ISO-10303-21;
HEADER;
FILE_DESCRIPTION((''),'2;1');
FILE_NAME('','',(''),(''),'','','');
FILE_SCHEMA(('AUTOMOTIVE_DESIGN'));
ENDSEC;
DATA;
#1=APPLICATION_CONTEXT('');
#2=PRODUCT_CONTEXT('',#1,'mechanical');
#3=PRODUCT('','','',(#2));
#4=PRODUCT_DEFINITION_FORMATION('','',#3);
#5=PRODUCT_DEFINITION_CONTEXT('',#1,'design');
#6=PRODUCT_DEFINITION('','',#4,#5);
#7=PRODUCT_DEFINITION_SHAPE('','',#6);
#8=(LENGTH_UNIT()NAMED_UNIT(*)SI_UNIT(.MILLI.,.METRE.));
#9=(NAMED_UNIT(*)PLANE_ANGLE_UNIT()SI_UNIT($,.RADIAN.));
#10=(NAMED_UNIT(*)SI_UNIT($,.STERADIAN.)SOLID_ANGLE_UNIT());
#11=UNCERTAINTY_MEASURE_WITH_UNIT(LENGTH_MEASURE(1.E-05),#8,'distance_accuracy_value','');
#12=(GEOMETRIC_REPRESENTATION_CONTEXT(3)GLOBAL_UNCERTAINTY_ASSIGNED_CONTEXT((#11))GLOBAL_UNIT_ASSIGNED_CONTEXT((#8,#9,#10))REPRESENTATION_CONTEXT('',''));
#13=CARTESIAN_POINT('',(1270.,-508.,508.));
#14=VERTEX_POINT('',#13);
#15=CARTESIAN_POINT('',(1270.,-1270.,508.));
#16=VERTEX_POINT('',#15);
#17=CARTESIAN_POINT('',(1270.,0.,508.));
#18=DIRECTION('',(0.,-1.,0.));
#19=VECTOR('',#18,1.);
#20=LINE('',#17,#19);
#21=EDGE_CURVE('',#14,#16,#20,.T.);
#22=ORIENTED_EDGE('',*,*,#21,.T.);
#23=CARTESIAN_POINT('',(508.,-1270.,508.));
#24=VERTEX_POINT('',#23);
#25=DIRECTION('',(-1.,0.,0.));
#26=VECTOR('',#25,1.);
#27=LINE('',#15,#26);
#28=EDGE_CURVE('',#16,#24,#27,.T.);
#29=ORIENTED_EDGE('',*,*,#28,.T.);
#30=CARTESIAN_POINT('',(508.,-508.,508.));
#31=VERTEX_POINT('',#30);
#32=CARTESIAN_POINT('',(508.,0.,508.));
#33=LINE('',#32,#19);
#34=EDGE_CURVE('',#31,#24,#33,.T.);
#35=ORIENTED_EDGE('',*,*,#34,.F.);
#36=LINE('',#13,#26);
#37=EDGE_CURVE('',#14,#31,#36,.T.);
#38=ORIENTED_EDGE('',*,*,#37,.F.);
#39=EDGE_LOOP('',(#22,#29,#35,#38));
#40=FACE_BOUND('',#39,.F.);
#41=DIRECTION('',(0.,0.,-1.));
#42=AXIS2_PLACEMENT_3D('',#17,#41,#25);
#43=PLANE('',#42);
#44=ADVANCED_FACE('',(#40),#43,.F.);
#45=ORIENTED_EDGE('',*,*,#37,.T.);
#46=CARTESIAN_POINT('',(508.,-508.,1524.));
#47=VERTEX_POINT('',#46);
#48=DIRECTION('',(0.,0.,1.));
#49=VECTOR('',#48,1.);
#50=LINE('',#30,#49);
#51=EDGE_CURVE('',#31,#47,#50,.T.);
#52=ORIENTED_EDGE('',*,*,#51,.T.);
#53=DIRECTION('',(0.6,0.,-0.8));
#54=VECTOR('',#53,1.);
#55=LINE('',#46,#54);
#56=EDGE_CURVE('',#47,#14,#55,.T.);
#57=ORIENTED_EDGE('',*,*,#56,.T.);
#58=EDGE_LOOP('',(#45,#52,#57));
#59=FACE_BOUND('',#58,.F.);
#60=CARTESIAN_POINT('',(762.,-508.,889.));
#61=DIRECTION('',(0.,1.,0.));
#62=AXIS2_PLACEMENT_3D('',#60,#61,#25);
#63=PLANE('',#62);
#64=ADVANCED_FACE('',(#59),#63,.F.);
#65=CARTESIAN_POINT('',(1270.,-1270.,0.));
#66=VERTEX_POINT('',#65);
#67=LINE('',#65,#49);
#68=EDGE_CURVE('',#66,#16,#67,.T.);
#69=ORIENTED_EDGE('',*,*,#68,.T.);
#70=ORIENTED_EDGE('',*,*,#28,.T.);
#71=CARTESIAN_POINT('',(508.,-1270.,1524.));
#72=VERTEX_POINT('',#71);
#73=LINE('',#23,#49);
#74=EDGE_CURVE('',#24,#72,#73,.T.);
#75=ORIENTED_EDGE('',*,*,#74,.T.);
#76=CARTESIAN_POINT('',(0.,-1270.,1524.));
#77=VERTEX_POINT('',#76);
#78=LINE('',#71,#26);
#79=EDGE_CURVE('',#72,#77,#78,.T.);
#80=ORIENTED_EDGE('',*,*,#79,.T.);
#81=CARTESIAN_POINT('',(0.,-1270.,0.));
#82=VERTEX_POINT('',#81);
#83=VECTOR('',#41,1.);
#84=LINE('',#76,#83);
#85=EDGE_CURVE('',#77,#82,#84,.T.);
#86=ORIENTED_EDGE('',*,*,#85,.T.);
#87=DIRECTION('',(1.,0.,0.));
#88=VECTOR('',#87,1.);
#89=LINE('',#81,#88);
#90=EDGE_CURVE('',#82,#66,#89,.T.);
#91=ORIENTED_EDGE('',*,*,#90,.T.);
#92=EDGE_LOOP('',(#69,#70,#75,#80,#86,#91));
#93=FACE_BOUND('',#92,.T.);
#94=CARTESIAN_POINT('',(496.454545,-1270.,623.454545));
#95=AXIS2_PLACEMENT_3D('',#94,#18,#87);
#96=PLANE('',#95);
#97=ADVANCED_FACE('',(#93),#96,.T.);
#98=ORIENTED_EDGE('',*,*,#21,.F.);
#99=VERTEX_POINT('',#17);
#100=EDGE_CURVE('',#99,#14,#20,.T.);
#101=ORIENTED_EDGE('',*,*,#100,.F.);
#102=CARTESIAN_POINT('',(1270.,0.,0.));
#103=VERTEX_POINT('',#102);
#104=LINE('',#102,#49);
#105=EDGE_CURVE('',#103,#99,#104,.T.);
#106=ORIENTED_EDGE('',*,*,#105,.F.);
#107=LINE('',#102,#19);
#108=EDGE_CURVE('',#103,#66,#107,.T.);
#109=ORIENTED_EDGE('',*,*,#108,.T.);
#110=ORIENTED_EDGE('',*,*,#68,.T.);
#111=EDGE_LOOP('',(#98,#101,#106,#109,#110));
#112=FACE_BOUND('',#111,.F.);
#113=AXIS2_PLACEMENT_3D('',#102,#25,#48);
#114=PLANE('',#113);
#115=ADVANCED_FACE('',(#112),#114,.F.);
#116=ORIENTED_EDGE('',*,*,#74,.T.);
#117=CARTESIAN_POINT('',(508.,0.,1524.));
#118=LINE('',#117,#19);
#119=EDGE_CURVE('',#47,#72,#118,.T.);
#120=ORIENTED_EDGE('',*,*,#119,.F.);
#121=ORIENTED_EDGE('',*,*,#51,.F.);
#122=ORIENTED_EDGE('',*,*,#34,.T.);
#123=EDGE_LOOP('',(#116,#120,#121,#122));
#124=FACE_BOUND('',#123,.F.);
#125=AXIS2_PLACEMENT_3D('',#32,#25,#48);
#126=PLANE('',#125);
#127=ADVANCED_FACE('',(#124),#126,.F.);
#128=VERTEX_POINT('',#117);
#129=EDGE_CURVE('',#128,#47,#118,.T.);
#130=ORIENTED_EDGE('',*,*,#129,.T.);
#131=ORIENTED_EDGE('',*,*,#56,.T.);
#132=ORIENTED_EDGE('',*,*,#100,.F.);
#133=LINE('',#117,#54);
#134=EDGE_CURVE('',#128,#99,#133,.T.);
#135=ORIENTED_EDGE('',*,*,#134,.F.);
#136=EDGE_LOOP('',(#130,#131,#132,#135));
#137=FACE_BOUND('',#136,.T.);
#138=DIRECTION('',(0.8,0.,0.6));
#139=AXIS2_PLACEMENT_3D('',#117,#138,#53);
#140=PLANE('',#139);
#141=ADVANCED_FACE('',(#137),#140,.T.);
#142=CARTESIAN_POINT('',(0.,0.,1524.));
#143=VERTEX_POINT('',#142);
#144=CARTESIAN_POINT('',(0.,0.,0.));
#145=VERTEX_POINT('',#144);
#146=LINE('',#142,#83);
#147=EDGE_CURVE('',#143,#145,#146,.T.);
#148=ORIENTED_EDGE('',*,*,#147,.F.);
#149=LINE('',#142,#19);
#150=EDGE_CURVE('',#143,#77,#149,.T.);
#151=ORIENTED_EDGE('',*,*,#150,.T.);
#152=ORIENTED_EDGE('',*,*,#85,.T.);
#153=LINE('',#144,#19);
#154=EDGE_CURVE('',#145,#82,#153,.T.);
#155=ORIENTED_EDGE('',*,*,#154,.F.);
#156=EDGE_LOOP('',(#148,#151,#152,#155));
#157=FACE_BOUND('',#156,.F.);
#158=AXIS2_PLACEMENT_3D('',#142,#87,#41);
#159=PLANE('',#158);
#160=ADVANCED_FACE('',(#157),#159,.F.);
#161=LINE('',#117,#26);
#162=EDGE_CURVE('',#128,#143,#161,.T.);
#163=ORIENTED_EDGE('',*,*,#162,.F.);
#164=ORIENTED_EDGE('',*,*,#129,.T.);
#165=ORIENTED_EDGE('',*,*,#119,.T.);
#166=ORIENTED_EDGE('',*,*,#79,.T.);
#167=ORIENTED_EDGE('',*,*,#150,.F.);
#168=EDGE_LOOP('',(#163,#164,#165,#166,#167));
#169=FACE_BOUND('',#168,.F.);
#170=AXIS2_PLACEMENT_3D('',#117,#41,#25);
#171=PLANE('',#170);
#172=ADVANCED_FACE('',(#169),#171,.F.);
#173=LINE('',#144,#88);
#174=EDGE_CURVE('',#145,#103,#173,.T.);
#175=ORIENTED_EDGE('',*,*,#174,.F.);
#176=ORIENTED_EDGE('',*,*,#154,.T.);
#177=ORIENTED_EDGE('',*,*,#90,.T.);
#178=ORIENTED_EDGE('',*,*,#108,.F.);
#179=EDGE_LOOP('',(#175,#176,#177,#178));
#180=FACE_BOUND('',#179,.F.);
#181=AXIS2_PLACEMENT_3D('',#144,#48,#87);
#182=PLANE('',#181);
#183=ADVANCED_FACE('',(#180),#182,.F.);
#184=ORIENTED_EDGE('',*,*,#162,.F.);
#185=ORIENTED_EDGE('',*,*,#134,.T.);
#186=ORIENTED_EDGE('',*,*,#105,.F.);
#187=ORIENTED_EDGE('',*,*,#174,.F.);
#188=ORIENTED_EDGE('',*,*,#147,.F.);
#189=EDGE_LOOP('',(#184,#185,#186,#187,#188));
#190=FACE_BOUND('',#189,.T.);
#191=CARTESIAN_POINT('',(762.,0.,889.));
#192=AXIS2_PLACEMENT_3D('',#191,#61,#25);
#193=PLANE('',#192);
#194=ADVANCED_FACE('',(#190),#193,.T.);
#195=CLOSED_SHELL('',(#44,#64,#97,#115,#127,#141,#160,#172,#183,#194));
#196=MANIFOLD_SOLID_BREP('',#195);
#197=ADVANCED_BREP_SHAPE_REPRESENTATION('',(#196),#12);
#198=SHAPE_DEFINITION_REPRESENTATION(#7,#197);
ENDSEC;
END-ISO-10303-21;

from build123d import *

# Parameters (mm, degrees)
F1_DEPTH = 1270
F3_DEPTH = 508


with BuildPart() as f1:
    # F0 (on Front) → F1 (new body)
    with BuildSketch(Plane.XZ):
        Polygon((0, 1524), (0, 0), (1270, 0), (1270, 508), (508, 508), (508, 1524), align=None)
    extrude(amount=F1_DEPTH)

    # F2 (on face) → F3 (join)
    with BuildSketch(Plane(origin=(0, 0, 0), x_dir=(-1, 0, 0), z_dir=(0, 1, 0))):
        Polygon((-508, 508), (-508, 1524), (-1270, 508), (-1237.555623, 508), align=None)
    extrude(amount=-F3_DEPTH)


solid = f1.part
